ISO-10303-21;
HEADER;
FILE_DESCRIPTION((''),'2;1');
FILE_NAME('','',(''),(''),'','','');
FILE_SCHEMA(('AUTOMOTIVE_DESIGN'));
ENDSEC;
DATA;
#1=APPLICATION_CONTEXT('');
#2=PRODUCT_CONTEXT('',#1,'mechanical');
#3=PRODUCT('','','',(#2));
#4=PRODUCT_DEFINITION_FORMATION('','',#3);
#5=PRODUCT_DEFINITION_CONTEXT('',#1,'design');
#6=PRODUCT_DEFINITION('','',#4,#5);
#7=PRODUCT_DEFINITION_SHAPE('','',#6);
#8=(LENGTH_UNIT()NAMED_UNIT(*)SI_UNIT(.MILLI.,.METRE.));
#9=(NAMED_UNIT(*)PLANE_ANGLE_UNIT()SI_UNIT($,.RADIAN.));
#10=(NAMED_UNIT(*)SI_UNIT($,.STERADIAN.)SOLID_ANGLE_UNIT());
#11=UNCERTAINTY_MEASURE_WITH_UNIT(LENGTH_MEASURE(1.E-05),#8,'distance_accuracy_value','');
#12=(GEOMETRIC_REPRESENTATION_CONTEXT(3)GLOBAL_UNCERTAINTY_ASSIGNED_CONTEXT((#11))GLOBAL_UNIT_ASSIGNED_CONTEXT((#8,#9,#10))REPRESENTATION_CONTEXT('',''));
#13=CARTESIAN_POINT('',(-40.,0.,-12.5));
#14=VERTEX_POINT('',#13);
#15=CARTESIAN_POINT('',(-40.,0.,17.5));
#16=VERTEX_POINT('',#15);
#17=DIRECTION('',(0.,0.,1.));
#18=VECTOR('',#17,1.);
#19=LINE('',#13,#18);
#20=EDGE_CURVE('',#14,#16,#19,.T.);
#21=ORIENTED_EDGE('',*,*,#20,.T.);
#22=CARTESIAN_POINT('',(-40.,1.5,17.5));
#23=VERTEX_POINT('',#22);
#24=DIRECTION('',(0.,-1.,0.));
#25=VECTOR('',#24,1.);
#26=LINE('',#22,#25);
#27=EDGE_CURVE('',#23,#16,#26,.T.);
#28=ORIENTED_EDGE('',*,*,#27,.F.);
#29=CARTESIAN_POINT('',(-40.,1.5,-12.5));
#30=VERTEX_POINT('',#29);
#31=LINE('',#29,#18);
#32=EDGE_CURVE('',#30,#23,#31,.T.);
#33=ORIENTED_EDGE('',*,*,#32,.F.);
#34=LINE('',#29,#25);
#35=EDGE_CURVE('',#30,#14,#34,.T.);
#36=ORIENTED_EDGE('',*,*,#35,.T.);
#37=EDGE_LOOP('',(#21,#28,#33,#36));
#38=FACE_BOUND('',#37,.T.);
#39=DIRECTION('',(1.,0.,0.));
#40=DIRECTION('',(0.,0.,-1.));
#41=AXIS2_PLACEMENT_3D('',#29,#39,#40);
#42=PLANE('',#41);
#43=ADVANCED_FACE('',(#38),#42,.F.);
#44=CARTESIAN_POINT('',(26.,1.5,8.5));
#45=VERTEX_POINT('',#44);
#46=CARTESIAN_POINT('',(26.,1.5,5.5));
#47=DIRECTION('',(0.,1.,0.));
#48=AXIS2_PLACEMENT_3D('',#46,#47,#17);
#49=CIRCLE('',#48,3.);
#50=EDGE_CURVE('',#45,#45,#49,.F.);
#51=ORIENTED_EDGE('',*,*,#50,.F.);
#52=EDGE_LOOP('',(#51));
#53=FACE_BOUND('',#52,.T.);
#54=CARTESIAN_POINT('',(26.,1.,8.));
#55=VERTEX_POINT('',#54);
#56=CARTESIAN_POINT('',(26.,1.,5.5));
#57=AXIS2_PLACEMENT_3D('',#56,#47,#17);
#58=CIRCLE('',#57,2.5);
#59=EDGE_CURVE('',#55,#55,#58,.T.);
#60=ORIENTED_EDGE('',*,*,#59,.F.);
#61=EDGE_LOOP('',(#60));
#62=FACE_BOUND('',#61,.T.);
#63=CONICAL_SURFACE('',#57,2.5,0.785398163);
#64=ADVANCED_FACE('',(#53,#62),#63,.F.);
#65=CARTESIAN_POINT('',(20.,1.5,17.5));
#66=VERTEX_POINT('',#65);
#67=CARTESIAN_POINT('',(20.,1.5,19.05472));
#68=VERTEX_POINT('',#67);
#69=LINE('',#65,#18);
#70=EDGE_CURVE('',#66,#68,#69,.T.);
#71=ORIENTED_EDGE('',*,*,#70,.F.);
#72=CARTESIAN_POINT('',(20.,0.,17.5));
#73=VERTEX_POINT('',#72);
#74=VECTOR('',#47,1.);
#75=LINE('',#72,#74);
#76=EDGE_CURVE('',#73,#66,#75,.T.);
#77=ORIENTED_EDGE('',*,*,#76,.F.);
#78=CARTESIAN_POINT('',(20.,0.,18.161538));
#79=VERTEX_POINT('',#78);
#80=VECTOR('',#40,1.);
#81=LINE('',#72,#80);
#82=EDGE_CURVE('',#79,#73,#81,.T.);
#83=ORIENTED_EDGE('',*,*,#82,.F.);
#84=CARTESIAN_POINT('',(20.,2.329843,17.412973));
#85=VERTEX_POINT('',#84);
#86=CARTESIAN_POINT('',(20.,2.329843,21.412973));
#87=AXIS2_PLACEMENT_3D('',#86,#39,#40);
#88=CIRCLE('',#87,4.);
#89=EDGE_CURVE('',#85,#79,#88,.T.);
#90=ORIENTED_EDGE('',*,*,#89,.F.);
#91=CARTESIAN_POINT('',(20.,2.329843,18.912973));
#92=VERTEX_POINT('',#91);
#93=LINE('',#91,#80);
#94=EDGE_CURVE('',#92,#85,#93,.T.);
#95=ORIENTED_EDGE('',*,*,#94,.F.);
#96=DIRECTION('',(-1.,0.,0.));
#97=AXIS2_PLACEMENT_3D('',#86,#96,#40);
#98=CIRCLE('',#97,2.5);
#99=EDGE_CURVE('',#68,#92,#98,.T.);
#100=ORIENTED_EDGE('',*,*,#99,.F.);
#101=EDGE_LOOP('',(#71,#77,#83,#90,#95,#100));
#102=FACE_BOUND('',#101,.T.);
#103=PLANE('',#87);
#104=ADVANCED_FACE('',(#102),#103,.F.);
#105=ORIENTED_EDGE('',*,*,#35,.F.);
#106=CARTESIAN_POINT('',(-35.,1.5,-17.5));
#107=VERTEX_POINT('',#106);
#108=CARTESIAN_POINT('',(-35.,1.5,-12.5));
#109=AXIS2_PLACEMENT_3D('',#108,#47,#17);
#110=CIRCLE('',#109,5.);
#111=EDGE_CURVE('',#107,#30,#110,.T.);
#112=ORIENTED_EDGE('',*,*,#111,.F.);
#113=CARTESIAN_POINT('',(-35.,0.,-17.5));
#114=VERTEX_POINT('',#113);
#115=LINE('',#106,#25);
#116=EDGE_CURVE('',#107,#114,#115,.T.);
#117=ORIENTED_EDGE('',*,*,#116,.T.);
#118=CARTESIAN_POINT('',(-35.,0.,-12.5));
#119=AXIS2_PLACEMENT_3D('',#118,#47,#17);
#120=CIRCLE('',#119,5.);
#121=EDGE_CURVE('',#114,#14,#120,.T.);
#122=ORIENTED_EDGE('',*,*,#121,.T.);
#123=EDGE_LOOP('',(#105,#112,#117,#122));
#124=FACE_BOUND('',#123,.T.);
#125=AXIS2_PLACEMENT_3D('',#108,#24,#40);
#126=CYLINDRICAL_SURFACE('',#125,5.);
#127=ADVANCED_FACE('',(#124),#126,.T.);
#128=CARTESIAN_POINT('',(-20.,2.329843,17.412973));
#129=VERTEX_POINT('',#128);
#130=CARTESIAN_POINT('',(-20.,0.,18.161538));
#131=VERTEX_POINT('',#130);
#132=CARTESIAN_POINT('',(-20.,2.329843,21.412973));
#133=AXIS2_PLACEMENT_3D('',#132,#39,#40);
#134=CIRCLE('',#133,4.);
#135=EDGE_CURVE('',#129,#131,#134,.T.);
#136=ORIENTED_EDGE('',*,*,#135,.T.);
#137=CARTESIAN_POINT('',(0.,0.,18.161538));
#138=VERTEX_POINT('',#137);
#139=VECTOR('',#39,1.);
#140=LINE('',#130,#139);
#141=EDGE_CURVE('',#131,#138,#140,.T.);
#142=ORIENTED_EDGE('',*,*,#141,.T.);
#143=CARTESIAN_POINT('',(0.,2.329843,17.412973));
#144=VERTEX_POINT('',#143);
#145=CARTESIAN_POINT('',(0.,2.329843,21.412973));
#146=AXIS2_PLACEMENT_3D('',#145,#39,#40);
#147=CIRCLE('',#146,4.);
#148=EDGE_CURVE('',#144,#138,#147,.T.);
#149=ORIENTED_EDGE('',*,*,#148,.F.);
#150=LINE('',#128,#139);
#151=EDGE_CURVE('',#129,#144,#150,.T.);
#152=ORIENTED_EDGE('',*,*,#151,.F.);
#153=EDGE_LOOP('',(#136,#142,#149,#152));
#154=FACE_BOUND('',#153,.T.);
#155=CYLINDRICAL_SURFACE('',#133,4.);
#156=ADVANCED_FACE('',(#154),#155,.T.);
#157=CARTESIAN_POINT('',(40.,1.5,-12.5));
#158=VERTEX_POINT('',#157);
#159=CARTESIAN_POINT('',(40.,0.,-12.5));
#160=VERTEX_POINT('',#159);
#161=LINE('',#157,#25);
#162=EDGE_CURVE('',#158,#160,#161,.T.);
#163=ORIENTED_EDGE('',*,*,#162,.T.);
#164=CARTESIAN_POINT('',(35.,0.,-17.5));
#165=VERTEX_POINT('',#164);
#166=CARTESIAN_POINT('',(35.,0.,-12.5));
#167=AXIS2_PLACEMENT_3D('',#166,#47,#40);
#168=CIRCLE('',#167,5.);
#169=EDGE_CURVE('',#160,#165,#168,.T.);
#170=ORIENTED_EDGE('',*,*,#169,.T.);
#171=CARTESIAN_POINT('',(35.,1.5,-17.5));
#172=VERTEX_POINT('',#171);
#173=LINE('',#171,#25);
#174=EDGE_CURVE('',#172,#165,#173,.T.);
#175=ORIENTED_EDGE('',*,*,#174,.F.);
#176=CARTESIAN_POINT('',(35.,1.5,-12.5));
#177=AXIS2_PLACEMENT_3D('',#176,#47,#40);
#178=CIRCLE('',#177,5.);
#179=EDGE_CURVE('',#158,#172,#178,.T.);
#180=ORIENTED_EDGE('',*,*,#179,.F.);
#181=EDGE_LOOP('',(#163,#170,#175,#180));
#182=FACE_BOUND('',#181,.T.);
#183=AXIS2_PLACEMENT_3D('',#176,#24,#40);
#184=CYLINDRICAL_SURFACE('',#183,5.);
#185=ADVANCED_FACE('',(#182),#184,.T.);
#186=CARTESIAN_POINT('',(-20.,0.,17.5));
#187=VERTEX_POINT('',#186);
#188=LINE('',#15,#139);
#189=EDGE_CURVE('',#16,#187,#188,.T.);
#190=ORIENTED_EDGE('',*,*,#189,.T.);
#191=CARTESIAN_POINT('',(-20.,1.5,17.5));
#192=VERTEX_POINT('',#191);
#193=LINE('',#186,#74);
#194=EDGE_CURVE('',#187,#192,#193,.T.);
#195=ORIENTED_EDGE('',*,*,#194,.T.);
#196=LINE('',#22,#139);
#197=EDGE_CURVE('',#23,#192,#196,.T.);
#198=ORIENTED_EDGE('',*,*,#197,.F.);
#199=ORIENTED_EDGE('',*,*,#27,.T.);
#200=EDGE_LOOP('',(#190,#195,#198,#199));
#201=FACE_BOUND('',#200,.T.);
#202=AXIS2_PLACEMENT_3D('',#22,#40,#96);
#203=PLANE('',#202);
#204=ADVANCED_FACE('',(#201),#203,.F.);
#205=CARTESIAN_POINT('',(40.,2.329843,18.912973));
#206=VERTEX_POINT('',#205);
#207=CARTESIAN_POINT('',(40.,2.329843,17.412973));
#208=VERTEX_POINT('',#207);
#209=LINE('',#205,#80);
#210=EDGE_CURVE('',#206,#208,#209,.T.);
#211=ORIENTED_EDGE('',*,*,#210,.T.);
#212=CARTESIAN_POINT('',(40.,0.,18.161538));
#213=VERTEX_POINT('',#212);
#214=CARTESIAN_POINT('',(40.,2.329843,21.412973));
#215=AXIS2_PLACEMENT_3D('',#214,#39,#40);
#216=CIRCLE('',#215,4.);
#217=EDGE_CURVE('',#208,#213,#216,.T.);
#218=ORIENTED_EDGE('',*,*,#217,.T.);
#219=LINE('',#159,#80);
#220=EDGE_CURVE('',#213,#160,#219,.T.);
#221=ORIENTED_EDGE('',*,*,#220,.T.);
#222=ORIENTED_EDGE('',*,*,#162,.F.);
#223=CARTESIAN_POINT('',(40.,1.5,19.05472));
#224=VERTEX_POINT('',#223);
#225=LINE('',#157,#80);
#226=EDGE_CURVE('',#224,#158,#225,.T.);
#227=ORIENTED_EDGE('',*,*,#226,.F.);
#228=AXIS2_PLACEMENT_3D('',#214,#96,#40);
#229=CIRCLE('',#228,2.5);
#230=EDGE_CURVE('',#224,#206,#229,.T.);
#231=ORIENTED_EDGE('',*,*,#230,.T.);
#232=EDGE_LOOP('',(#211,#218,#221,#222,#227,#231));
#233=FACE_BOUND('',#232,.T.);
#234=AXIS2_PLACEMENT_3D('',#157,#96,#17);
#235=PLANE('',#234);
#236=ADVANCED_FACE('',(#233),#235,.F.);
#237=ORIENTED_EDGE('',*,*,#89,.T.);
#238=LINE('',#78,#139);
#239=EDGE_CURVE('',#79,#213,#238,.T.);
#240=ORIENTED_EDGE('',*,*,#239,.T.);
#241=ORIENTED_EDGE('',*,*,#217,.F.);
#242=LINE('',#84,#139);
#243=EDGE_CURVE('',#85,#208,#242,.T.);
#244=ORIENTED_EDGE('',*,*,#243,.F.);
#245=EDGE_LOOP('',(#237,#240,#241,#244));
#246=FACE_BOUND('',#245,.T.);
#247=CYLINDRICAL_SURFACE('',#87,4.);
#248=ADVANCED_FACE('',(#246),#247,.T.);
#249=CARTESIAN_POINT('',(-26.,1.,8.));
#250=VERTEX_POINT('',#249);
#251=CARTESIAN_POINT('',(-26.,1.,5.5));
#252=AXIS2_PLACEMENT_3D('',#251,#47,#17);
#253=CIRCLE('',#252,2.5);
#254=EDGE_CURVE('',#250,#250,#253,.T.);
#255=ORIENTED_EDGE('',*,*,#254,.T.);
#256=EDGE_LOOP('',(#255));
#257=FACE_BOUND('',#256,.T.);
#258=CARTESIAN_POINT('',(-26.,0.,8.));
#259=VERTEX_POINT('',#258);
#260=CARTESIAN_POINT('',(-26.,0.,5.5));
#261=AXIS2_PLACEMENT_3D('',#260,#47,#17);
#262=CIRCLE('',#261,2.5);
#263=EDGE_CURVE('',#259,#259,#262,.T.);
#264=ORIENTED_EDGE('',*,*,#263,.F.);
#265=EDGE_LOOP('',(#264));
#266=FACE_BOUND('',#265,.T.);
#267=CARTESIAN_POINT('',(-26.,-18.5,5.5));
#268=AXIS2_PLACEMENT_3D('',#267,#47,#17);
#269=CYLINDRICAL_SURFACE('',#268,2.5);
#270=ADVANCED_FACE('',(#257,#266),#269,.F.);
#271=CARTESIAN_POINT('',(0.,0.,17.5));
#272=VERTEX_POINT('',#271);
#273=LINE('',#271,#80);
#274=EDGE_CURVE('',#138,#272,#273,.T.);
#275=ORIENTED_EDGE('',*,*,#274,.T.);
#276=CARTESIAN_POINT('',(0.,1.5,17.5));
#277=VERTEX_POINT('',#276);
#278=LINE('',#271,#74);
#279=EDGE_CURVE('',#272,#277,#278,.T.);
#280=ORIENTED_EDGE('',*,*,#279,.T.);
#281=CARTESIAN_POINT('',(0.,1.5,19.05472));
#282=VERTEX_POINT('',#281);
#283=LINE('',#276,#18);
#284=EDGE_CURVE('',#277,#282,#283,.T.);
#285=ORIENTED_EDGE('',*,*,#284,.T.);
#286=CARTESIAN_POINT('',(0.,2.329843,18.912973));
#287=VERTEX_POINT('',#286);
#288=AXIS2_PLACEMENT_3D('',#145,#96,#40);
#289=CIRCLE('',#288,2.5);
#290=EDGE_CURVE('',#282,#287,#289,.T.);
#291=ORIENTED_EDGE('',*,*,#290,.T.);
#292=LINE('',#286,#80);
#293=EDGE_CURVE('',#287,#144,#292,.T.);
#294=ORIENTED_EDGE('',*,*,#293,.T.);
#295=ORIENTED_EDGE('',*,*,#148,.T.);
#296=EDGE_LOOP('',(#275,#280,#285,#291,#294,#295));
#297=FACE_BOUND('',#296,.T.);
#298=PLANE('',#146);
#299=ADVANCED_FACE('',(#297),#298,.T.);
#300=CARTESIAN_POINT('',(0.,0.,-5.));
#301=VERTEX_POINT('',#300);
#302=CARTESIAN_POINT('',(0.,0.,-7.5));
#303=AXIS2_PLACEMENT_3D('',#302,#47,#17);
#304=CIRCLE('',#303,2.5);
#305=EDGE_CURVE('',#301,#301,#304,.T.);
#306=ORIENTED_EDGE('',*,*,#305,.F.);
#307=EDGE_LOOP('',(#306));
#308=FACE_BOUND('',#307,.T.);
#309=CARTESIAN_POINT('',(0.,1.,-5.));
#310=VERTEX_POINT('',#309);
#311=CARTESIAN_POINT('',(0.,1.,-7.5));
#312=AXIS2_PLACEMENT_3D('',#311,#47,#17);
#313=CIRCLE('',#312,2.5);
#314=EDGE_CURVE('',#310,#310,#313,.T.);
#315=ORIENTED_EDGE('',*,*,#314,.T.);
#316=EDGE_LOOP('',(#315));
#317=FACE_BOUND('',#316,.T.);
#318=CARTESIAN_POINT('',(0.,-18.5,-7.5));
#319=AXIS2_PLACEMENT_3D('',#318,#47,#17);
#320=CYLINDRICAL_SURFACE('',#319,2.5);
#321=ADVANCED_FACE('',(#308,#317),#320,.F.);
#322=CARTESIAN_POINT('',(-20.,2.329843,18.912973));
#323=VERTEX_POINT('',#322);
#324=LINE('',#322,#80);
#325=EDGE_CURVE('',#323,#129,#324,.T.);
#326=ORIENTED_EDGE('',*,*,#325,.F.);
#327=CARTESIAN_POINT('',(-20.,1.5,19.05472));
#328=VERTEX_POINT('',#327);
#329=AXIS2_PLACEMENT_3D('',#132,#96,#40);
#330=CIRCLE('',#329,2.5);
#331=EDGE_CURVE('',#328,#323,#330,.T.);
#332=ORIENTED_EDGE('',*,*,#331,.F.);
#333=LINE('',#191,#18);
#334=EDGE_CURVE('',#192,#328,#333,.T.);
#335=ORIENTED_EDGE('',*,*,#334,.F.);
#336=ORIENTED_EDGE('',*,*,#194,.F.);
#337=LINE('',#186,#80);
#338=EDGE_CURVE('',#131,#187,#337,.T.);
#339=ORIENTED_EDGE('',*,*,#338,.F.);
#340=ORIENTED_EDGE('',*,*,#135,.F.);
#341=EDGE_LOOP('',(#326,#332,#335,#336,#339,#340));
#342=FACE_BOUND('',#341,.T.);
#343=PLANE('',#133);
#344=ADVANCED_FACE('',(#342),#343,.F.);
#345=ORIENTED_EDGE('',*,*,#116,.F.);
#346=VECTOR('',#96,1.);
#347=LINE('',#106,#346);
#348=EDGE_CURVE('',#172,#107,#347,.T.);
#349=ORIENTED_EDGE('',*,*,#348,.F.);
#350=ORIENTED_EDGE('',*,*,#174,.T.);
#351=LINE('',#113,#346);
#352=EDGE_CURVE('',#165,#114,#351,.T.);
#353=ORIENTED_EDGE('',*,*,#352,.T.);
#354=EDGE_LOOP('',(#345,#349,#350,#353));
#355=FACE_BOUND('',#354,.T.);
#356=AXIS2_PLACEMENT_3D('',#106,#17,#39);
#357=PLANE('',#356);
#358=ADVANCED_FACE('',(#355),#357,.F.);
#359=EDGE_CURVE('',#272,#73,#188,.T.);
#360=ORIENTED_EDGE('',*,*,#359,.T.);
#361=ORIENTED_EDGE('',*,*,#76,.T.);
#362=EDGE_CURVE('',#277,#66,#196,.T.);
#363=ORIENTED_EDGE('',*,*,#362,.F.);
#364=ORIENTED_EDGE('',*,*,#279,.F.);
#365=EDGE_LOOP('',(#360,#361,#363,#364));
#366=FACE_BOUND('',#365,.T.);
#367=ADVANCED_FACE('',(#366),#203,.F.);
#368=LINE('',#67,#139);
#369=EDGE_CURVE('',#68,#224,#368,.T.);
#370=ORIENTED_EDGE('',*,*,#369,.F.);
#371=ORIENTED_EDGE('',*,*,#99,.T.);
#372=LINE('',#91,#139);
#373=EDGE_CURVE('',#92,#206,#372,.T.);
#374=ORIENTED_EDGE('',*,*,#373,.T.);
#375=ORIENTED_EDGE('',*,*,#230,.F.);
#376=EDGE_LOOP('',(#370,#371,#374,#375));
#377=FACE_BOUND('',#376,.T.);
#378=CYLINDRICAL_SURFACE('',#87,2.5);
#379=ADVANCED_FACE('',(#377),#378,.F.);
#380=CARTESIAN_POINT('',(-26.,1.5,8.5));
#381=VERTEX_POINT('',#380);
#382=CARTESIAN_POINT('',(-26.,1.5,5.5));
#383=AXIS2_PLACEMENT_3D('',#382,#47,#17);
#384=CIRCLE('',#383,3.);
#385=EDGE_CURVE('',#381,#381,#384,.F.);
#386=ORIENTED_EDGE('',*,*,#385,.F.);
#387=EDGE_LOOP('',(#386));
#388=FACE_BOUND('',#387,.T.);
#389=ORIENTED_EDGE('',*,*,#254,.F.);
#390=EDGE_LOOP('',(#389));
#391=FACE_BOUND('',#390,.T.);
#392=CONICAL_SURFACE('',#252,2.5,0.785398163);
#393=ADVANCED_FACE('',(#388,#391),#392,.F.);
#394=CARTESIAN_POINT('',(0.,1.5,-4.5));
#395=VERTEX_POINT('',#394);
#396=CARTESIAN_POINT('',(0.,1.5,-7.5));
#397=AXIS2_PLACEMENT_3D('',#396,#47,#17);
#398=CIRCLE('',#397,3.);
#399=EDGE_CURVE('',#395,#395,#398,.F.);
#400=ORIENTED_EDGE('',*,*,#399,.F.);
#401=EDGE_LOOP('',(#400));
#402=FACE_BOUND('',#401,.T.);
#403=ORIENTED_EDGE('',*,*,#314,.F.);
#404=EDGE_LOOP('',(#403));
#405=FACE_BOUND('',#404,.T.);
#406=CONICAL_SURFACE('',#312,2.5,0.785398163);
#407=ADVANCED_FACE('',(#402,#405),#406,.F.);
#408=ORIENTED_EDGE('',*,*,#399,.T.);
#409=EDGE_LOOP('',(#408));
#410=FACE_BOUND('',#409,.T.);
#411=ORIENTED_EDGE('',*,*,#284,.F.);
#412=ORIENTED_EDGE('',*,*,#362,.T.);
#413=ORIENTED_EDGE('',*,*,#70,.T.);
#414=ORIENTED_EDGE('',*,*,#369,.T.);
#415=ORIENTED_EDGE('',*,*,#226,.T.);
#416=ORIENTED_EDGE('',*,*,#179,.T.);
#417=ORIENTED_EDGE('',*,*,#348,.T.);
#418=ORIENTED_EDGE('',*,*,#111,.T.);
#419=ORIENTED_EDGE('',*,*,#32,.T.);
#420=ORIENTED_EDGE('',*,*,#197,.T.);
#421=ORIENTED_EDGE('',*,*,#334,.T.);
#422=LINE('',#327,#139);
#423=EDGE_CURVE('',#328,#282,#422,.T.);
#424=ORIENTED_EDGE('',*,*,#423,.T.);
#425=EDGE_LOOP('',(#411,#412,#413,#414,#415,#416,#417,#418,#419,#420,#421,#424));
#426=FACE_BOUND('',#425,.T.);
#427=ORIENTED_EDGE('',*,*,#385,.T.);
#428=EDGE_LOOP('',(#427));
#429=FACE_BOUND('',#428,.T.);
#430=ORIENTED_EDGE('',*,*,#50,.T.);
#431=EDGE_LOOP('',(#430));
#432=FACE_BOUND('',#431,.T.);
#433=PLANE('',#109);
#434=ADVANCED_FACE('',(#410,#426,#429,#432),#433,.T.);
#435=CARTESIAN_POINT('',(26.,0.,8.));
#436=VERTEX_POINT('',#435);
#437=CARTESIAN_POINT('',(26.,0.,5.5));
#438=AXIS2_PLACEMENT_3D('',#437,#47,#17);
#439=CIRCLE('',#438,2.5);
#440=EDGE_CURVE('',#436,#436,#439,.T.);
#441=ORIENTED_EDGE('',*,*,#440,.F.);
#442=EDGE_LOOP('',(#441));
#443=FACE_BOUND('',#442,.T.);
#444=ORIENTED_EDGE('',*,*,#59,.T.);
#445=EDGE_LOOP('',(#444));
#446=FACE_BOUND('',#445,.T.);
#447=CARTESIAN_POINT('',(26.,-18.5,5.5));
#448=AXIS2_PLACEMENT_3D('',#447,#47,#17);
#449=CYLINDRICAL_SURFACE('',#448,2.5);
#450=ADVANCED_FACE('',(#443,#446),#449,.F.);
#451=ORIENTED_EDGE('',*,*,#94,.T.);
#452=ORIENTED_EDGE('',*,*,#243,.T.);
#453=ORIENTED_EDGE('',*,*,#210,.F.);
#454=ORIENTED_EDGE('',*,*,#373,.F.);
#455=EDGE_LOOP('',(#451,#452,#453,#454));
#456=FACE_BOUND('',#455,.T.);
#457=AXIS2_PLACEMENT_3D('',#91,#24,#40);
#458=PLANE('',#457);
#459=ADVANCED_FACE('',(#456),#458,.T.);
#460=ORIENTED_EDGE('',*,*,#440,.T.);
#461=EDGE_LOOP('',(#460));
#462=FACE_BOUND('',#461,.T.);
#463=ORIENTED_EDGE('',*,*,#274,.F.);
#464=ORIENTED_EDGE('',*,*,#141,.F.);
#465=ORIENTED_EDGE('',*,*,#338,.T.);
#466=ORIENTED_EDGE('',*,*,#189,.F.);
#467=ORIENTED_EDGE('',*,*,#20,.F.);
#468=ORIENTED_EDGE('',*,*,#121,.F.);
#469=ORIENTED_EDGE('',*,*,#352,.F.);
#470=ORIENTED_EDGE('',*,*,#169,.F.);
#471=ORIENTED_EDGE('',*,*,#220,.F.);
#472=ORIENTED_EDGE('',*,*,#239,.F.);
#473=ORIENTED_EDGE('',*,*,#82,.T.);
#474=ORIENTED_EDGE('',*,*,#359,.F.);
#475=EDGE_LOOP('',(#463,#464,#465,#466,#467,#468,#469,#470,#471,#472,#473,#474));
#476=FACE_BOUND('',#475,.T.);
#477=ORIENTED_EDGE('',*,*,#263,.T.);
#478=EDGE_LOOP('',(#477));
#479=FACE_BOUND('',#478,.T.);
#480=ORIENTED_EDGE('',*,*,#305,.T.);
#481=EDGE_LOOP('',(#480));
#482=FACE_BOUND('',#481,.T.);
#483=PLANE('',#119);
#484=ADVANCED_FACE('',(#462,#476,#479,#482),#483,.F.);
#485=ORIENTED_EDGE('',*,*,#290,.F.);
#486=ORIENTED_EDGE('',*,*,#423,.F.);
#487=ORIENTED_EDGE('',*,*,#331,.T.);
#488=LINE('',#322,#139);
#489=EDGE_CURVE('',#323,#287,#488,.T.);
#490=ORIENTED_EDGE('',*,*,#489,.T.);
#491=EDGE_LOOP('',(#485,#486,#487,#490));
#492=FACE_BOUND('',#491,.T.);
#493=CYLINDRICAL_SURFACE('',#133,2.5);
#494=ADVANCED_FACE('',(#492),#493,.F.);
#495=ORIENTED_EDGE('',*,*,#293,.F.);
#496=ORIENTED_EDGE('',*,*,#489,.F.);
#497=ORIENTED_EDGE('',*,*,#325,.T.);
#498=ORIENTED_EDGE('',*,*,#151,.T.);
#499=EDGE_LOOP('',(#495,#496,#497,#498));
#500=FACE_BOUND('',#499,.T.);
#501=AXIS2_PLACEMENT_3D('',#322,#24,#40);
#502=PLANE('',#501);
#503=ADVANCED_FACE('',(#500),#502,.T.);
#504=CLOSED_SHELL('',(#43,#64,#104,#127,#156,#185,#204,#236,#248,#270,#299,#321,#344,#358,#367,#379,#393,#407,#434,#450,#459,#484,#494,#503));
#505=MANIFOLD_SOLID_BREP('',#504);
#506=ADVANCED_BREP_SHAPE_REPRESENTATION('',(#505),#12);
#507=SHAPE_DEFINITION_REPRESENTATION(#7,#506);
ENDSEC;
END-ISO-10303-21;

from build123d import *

# Parameters (mm, degrees)
BOSS_EXTRUDE1_DEPTH = 1.5
BOSS_EXTRUDE3_DEPTH = 20
LPATTERN1_COUNT     = 2
LPATTERN1_PITCH     = 40
SKETCH3_R           = 2.5
CUT_EXTRUDE1_DEPTH  = 20
CHAMFER1_SIZE       = 0.5


with BuildPart() as part:
    # Sketch1 → Boss-Extrude1 (new body)
    with BuildSketch(Plane(origin=(0, 0, 0), x_dir=(1, 0, 0), z_dir=(0, 1, 0))):
        with BuildLine():
            Line((-35, 17.5), (35, 17.5))
            ThreePointArc((35, 17.5), (38.535533906, 16.035533906), (40, 12.5))
            Line((40, 12.5), (40, -17.5))
            Line((40, -17.5), (-40, -17.5))
            Line((-40, -17.5), (-40, 12.5))
            ThreePointArc((-40, 12.5), (-38.535533906, 16.035533906), (-35, 17.5))
        make_face()
    extrude(amount=BOSS_EXTRUDE1_DEPTH)

    # Sketch2 → Boss-Extrude3 (add)
    with BuildSketch(Plane(origin=(40, 0, 0), x_dir=(0, 0, -1), z_dir=(1, 0, 0))):
        with BuildLine():
            Line((-17.5, 0), (-18.161538273, 0))
            ThreePointArc((-18.161538273, 0), (-25.221236665, 3.55341606), (-17.412973279, 2.329843428))
            Line((-17.412973279, 2.329843428), (-18.912973279, 2.329843428))
            ThreePointArc((-18.912973279, 2.329843428), (-23.877281896, 2.750774588), (-19.054719713, 1.5))
            Line((-19.054719713, 1.5), (-17.5, 1.5))
            Line((-17.5, 1.5), (-17.5, 0))
        make_face()
    boss_extrude3 = extrude(amount=-BOSS_EXTRUDE3_DEPTH)

    # LPattern1: Boss-Extrude3 ×2
    with Locations(*[(-i * LPATTERN1_PITCH, 0, 0) for i in range(1, LPATTERN1_COUNT)]):
        add(boss_extrude3)

    # Sketch3 → Cut-Extrude1 (cut)
    with BuildSketch(Plane(origin=(0, 1.5, 0), x_dir=(1, 0, 0), z_dir=(0, 1, 0))):
        with Locations(Location((0, 7.5, 0), (0, 0, 270))):
            Circle(SKETCH3_R)
        with Locations(Location((-26, -5.5, 0), (0, 0, 270))):
            Circle(SKETCH3_R)
        with Locations(Location((26, -5.5, 0), (0, 0, 270))):
            Circle(SKETCH3_R)
    extrude(amount=-CUT_EXTRUDE1_DEPTH, mode=Mode.SUBTRACT)

    # Chamfer1
    chamfer1_edges = [part.edges().sort_by_distance(p)[0] for p in [
        (0, 1.5, -10),
        (-26, 1.5, 3),
        (26, 1.5, 3),
    ]]
    chamfer(chamfer1_edges, length=CHAMFER1_SIZE)


solid = part.part
